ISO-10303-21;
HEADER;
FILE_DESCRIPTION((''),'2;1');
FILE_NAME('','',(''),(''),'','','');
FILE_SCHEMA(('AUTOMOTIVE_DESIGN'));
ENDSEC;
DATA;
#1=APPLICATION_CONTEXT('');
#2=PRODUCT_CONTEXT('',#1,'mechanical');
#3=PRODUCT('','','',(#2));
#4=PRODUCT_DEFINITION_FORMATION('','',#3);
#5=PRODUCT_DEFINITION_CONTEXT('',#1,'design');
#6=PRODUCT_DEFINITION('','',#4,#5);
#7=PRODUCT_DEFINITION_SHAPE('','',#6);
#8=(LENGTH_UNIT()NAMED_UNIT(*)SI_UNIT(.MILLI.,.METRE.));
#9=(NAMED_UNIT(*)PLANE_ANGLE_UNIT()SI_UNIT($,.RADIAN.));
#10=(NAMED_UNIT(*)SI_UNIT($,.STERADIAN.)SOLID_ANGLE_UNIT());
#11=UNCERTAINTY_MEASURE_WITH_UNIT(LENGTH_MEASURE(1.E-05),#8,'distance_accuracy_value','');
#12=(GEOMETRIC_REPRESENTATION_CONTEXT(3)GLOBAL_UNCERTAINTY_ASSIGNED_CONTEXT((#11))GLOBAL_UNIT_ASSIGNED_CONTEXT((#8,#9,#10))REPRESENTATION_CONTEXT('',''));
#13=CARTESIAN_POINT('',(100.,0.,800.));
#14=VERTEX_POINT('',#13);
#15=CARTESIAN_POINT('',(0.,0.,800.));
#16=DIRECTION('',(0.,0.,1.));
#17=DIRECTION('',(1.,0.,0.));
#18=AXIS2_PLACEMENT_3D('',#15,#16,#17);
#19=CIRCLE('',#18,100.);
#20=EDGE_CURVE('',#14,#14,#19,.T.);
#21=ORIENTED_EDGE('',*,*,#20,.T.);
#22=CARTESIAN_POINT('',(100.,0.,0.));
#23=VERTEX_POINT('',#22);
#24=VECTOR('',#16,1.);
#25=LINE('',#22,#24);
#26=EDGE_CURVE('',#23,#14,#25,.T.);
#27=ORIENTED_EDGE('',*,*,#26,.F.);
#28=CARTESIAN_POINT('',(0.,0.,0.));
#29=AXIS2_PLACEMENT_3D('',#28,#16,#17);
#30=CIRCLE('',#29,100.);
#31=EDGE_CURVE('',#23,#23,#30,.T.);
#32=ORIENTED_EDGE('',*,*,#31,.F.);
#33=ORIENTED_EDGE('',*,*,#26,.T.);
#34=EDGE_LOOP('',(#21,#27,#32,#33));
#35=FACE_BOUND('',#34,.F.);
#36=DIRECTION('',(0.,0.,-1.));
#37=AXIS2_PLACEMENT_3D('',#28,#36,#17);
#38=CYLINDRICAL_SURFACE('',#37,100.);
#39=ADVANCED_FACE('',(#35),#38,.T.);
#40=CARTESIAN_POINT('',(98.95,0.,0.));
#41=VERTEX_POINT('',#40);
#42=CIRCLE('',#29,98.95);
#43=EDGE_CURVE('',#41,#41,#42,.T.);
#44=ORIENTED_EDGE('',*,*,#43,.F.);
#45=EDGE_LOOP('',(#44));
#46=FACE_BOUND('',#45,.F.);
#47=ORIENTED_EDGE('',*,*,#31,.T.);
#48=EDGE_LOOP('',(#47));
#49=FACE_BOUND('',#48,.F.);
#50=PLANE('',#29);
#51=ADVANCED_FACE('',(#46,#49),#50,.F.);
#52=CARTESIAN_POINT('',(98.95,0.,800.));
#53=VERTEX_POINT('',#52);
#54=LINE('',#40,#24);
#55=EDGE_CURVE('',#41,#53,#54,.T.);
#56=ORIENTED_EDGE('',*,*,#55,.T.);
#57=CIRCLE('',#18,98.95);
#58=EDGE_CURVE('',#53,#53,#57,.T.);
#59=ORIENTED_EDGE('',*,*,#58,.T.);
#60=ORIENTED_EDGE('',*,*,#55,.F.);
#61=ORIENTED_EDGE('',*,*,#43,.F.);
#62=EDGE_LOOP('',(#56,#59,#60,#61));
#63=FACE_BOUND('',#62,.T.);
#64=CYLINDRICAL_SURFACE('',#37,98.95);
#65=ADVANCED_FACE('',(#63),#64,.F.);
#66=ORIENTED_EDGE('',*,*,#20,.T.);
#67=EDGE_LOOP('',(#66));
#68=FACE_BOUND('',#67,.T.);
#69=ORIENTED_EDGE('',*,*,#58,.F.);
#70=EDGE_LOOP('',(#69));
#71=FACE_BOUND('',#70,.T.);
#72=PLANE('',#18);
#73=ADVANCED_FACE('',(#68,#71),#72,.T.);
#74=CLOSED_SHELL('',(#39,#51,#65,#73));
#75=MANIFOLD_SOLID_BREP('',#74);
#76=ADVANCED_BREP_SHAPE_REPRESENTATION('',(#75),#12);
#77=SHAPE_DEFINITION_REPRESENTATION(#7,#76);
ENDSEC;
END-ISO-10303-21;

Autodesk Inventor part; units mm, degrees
ref_plane "XZ Plane" through (0, 0, 0) normal (0, 1, 0) x (-1, 0, 0)
ref_plane "XY Plane" through (0, 0, 0) normal (0, 0, 1) x (1, 0, 0)
sketch "Sketch1" plane through (0, 0, 0) normal (0, 0, 1) x (1, 0, 0)
  circle A0 centre (0, 0) radius 100
  circle A1 centre (0, 0) radius 98.95
  dimension "d0" = 200
  dimension "d1" = 197.9
extrude "Extrusion1" add sketch "Sketch1" along normal blind 800
ref_plane "Work Plane1" through (0, 0, 0) normal (0, 1, 0) x (0, 0, 1)
properties part number "Tubo" material "Nickel-Copper Alloy 400"
